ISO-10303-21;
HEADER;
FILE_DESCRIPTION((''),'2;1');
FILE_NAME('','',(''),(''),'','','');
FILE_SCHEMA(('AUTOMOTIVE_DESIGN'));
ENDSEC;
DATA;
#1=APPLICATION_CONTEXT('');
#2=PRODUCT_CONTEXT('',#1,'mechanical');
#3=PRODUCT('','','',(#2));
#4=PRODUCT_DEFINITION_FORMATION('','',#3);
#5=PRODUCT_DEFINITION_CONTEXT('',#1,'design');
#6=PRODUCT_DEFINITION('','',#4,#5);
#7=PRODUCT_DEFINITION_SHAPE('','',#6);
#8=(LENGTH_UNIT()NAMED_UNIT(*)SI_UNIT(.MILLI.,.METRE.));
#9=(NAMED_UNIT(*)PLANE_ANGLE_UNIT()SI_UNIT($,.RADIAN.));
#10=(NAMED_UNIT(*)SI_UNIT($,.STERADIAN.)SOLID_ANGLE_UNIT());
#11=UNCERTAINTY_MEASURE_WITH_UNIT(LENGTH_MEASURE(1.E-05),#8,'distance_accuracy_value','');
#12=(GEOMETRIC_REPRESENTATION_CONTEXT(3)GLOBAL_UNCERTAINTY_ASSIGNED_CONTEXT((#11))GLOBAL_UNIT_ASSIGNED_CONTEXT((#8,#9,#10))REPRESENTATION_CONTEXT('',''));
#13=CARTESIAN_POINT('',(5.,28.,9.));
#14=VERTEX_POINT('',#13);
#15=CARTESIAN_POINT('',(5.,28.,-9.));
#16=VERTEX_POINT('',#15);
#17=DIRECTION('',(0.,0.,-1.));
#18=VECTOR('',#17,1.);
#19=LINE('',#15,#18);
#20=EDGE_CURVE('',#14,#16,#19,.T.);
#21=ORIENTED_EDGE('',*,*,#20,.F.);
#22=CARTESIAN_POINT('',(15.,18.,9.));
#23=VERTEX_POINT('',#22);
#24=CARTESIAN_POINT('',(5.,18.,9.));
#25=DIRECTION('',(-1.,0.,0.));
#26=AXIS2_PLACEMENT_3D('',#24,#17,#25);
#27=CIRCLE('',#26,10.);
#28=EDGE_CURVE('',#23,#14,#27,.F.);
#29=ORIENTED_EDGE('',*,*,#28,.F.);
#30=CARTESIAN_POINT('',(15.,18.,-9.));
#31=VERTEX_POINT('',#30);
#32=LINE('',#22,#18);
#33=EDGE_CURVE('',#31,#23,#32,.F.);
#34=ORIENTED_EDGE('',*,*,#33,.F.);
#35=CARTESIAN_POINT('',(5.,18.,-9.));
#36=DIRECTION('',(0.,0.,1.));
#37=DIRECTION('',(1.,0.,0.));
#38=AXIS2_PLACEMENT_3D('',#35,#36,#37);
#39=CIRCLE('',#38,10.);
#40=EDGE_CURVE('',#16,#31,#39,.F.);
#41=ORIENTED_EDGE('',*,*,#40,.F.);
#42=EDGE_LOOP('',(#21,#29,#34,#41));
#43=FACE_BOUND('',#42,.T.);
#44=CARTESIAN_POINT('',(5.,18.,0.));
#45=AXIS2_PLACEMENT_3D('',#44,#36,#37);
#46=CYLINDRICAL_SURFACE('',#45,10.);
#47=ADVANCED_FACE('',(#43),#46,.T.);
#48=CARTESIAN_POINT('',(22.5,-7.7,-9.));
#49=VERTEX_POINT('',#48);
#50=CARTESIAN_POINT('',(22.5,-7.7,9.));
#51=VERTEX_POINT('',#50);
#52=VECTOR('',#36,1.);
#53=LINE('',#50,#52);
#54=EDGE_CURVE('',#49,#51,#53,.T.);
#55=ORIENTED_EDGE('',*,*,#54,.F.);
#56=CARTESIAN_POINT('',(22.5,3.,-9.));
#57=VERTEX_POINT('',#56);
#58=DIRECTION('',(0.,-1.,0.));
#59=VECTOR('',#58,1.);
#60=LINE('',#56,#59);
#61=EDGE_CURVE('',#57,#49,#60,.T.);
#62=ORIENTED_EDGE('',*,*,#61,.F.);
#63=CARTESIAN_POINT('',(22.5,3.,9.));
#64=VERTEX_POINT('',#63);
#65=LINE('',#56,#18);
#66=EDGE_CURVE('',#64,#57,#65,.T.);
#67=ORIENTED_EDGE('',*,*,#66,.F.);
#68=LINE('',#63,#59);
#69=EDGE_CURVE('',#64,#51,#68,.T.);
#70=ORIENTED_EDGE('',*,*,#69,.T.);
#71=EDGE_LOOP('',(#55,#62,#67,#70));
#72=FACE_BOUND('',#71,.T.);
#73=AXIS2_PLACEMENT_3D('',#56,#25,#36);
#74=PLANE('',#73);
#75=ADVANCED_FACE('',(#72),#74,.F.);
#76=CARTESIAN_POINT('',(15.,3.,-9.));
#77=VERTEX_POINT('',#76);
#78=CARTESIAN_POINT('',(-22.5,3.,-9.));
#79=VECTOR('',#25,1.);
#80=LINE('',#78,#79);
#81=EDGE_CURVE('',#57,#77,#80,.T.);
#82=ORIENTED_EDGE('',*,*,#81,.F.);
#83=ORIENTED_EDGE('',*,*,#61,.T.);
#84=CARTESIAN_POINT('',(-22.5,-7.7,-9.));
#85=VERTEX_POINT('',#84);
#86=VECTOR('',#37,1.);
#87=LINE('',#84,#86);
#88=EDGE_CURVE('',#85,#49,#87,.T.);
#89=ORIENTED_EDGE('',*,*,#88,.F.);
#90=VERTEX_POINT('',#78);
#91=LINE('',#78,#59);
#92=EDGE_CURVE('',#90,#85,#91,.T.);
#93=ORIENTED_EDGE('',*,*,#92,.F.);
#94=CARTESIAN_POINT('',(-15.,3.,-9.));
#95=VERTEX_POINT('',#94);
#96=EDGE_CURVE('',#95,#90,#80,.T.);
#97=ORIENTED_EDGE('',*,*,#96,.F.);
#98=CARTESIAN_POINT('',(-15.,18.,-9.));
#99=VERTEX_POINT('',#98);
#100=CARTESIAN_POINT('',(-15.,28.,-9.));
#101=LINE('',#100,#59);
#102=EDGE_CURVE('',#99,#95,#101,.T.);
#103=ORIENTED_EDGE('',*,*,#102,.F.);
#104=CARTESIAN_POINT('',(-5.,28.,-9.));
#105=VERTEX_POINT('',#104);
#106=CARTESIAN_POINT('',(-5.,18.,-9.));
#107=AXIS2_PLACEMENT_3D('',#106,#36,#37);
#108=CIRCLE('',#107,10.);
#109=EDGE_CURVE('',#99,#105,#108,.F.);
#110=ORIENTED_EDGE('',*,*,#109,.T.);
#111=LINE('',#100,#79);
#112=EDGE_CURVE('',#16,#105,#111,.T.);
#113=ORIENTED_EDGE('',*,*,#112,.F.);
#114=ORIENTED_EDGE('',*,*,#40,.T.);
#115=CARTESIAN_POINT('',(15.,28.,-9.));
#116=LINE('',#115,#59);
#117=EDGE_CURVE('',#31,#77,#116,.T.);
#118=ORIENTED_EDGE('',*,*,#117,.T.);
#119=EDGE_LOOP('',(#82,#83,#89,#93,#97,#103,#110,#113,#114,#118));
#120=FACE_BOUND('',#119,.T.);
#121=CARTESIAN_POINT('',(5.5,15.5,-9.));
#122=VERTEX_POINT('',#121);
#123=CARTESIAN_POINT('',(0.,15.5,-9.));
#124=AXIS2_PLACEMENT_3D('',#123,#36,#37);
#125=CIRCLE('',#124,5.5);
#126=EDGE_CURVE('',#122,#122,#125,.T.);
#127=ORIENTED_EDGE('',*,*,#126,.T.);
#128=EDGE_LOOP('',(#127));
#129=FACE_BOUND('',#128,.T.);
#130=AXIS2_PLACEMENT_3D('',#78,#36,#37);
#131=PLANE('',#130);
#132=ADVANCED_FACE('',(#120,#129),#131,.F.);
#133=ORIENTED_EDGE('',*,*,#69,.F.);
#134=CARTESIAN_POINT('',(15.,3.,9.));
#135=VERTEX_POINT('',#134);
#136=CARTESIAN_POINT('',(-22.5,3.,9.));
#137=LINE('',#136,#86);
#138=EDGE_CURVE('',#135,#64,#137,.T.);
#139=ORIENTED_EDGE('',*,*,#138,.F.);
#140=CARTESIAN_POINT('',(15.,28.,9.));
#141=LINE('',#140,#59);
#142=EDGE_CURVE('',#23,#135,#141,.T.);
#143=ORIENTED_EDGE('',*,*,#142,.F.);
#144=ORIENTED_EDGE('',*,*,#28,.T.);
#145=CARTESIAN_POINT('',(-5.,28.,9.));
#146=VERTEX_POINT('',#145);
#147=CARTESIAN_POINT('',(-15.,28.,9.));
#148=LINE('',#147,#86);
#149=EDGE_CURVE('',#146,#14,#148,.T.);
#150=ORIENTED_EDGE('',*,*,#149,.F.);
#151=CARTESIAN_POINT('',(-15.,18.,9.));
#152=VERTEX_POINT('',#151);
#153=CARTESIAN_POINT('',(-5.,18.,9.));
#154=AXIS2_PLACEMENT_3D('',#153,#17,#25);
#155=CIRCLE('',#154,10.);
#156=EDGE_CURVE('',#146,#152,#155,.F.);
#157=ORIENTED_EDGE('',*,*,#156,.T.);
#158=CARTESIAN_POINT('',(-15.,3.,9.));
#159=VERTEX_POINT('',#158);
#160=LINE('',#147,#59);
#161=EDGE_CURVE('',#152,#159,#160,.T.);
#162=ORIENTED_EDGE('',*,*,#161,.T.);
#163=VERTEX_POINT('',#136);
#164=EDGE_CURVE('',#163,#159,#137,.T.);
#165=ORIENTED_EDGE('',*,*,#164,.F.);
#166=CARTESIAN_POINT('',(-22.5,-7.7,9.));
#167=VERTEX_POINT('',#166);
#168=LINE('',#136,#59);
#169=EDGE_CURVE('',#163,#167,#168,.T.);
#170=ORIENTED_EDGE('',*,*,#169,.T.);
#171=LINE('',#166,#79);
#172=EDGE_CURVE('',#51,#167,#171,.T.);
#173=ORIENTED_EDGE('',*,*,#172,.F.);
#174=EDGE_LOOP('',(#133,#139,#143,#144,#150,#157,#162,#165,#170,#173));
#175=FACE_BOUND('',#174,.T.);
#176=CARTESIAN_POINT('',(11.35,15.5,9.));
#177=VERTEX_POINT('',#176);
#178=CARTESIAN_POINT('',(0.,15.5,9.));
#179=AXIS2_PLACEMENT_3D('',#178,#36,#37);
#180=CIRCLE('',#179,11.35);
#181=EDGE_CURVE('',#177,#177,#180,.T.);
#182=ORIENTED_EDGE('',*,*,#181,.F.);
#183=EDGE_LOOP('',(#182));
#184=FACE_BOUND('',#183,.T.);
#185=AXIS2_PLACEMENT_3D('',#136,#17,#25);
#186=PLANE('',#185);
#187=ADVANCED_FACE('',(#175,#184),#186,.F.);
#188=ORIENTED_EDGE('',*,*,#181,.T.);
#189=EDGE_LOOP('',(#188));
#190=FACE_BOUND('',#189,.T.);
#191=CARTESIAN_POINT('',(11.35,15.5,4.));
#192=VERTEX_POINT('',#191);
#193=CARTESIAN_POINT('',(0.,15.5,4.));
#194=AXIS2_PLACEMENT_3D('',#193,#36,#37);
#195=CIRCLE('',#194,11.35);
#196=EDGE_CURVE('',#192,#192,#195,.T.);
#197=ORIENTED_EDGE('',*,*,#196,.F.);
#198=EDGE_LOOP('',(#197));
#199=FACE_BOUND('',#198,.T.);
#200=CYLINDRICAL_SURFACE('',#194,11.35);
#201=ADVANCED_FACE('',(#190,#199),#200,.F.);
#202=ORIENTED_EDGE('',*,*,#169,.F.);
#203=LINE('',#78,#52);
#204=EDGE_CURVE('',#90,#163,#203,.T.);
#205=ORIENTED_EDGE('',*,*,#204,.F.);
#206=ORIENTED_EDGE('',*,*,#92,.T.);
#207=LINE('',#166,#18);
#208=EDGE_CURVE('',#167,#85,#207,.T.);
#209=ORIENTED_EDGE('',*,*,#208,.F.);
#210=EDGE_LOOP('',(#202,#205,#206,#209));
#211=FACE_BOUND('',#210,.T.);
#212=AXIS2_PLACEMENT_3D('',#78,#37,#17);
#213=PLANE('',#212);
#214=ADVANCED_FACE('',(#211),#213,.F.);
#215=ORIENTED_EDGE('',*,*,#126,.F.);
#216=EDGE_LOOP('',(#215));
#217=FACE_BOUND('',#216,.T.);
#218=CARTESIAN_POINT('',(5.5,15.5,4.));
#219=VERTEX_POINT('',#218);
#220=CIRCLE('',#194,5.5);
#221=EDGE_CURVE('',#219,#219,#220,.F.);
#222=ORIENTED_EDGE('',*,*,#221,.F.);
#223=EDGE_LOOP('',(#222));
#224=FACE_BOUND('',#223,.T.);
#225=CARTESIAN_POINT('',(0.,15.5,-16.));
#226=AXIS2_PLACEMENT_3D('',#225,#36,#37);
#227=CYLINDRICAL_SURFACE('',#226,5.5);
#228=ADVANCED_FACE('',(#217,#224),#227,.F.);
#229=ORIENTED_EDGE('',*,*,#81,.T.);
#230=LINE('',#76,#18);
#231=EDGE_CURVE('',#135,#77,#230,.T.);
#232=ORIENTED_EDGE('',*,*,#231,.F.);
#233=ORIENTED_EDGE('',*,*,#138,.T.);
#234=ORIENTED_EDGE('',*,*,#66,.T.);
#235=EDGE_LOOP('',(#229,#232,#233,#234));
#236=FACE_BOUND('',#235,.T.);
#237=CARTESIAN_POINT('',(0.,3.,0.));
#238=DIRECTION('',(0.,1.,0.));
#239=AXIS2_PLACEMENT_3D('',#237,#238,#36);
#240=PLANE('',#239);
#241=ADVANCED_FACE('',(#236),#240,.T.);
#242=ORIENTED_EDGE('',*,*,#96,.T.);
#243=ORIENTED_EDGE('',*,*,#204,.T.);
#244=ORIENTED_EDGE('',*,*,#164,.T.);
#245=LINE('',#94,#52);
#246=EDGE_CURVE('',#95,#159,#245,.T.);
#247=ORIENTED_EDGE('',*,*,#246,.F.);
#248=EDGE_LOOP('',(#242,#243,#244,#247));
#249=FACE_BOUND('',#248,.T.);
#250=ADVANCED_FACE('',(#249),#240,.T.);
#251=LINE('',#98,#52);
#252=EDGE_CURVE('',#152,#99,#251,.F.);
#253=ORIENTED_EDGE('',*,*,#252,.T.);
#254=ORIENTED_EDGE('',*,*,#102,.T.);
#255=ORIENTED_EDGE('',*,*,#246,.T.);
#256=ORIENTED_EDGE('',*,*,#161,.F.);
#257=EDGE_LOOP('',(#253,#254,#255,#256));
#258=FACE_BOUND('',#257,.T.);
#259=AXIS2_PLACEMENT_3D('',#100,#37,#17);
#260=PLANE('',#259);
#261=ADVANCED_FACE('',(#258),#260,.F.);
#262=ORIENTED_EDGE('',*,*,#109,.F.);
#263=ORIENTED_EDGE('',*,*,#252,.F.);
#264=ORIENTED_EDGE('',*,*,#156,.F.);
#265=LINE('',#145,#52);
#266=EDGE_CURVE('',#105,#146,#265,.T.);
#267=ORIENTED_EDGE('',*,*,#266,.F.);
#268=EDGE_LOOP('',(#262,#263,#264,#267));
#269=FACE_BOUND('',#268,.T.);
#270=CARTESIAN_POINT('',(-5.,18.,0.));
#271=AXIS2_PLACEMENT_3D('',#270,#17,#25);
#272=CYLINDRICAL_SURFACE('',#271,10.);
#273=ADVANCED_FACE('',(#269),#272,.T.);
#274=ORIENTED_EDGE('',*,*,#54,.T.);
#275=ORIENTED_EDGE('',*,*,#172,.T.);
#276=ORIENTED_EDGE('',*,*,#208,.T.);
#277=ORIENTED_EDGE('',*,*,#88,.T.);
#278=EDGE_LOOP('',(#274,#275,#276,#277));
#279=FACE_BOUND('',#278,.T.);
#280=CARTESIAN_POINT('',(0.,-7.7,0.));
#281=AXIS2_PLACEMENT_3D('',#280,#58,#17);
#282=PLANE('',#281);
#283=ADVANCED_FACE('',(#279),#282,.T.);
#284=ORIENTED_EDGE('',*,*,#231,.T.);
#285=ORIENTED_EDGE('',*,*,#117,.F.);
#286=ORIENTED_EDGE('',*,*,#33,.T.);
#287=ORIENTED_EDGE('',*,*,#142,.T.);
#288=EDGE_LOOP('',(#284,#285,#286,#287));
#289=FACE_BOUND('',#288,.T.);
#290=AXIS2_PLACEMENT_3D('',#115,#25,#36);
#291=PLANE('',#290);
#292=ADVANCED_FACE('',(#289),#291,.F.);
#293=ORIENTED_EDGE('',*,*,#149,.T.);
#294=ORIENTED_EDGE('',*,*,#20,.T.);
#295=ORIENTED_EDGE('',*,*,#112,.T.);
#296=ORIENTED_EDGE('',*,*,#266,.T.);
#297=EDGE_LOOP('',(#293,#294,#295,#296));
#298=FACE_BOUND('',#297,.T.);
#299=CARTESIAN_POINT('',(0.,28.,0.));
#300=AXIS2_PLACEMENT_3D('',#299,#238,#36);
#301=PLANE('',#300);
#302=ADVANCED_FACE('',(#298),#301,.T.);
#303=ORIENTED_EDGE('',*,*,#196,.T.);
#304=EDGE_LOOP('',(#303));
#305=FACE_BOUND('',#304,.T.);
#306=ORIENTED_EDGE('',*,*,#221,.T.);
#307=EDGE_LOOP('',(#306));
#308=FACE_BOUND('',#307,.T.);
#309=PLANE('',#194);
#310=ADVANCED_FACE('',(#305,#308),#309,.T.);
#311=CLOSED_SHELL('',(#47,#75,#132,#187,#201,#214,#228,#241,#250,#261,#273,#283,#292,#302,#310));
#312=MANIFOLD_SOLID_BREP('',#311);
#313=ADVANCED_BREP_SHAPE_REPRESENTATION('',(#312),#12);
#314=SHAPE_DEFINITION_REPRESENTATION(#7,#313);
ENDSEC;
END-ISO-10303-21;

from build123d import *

# Parameters (mm, degrees)
SKETCH1_W           = 45
SKETCH1_H           = 18
BOSS_EXTRUDE1_DEPTH = 3
SKETCH2_W           = 30
SKETCH2_H           = 18
BOSS_EXTRUDE3_DEPTH = 25
SKETCH5_R           = 5.5
CUT_EXTRUDE3_DEPTH  = 25
SKETCH6_R           = 11.35
CUT_EXTRUDE4_DEPTH  = 5
FILLET2_R           = 10
SKETCH7_W           = 45
SKETCH7_H           = 18
BOSS_EXTRUDE4_DEPTH = 4
SKETCH8_W           = 45
SKETCH8_H           = 18
BOSS_EXTRUDE5_DEPTH = 3.7


with BuildPart() as part:
    # Sketch1 → Boss-Extrude1 (new body)
    with BuildSketch(Plane(origin=(0, 0, 0), x_dir=(1, 0, 0), z_dir=(0, 1, 0))):
        Rectangle(SKETCH1_W, SKETCH1_H)
    extrude(amount=BOSS_EXTRUDE1_DEPTH)

    # Sketch2 → Boss-Extrude3 (add)
    with BuildSketch(Plane(origin=(0, 3, 0), x_dir=(1, 0, 0), z_dir=(0, 1, 0))):
        Rectangle(SKETCH2_W, SKETCH2_H)
    extrude(amount=BOSS_EXTRUDE3_DEPTH)

    # Sketch5 → Cut-Extrude3 (cut)
    with BuildSketch(Plane.XY.offset(9)):
        with Locations((0, 15.5)):
            Circle(SKETCH5_R)
    extrude(amount=-CUT_EXTRUDE3_DEPTH, mode=Mode.SUBTRACT)

    # Sketch6 → Cut-Extrude4 (cut)
    with BuildSketch(Plane.XY.offset(9)):
        with Locations((0, 15.5)):
            Circle(SKETCH6_R)
    extrude(amount=-CUT_EXTRUDE4_DEPTH, mode=Mode.SUBTRACT)

    # Fillet2
    fillet2_edges = [part.edges().sort_by_distance(p)[0] for p in [
        (15, 28, 0),
        (-15, 28, 0),
    ]]
    fillet(fillet2_edges, radius=FILLET2_R)

    # Sketch7 → Boss-Extrude4 (add)
    with BuildSketch(Plane.XZ):
        Rectangle(SKETCH7_W, SKETCH7_H)
    extrude(amount=BOSS_EXTRUDE4_DEPTH)

    # Sketch8 → Boss-Extrude5 (add)
    with BuildSketch(Plane.XZ.offset(4)):
        Rectangle(SKETCH8_W, SKETCH8_H)
    extrude(amount=BOSS_EXTRUDE5_DEPTH)


solid = part.part
